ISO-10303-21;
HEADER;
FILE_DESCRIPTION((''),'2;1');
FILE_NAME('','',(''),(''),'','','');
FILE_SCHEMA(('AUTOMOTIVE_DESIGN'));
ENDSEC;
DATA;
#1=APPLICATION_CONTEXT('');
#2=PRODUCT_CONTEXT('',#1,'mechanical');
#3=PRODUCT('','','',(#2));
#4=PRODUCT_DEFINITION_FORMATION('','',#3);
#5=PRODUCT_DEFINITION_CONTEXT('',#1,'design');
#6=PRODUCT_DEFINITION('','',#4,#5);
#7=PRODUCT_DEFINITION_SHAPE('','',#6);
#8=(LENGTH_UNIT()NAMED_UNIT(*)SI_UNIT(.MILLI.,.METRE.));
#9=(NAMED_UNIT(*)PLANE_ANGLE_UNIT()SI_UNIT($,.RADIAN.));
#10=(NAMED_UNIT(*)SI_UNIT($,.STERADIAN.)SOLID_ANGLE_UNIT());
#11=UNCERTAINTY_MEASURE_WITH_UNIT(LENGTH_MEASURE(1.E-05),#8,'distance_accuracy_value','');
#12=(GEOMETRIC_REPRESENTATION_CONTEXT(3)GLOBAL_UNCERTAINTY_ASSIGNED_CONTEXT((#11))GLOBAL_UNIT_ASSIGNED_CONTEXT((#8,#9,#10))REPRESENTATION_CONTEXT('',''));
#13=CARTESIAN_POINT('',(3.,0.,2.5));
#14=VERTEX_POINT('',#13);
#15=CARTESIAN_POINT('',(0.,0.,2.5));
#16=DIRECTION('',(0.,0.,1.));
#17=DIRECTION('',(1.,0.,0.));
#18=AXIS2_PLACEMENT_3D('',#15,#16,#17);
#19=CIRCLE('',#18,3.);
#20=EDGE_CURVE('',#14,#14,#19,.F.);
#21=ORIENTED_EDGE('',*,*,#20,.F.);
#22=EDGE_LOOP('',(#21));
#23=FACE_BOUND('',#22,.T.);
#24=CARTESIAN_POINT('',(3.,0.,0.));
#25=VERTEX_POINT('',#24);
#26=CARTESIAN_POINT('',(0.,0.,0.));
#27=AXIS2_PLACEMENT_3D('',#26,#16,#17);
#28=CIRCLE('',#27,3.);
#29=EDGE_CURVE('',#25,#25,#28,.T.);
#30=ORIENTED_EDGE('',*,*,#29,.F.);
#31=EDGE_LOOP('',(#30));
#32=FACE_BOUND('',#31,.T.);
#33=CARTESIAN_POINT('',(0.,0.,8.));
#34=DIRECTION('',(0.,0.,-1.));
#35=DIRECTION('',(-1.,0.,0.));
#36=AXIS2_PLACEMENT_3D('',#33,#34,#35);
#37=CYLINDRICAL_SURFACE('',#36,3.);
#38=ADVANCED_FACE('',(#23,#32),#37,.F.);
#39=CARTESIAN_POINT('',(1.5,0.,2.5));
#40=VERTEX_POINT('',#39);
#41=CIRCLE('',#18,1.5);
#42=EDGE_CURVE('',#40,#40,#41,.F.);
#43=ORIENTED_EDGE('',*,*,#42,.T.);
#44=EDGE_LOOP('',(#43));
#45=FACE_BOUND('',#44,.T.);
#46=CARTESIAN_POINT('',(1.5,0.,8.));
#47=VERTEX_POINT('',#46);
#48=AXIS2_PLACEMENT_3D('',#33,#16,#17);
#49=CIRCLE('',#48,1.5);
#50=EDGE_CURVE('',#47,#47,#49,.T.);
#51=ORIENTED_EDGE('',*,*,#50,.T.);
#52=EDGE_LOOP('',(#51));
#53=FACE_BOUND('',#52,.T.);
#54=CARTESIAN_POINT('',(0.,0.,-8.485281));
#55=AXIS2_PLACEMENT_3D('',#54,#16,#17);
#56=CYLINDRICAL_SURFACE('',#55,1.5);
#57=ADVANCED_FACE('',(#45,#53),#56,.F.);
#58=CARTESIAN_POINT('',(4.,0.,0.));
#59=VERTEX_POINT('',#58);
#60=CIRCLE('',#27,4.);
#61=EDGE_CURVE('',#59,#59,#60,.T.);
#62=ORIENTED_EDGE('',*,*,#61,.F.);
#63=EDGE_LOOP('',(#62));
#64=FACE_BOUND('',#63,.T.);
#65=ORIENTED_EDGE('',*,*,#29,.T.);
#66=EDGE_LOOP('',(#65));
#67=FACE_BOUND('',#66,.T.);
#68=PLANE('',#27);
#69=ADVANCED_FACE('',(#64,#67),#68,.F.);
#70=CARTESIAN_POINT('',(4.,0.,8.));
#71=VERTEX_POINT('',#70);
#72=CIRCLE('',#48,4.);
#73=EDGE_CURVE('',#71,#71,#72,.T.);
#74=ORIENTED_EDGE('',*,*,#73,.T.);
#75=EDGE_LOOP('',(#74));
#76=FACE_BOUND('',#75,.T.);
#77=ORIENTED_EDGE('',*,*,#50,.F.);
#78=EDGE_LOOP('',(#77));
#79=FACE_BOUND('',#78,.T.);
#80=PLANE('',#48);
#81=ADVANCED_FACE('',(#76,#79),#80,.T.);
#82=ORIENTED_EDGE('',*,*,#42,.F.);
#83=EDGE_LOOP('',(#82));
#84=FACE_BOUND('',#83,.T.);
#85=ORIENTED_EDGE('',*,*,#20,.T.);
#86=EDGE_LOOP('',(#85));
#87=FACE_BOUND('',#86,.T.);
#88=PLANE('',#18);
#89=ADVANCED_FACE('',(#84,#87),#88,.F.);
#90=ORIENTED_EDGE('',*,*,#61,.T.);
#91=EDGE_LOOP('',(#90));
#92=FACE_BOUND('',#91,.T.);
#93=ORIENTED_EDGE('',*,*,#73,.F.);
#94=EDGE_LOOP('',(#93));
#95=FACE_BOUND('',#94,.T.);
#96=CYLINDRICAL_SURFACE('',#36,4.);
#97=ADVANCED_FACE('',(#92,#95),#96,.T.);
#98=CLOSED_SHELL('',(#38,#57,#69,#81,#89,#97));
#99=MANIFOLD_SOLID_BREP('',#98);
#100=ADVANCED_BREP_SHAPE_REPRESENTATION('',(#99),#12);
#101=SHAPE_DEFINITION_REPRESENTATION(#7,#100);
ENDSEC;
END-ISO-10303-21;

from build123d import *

# Parameters (mm, degrees)
SKETCH1_R           = 4
SKETCH1_R_2         = 3
BOSS_EXTRUDE1_DEPTH = 8
BOSS_EXTRUDE2_START = -5.5
SKETCH2_R           = 3
SKETCH2_R_2         = 1.5
BOSS_EXTRUDE2_DEPTH = 5.5


with BuildPart() as part:
    # Sketch1 → Boss-Extrude1 (new body)
    with BuildSketch(Plane.XY):
        Circle(SKETCH1_R)
        Circle(SKETCH1_R_2, mode=Mode.SUBTRACT)
    extrude(amount=BOSS_EXTRUDE1_DEPTH)

    # Sketch2 → Boss-Extrude2 (add)
    with BuildSketch(Plane.XY.offset(8).offset(BOSS_EXTRUDE2_START)):
        Circle(SKETCH2_R)
        Circle(SKETCH2_R_2, mode=Mode.SUBTRACT)
    extrude(amount=BOSS_EXTRUDE2_DEPTH)


solid = part.part
